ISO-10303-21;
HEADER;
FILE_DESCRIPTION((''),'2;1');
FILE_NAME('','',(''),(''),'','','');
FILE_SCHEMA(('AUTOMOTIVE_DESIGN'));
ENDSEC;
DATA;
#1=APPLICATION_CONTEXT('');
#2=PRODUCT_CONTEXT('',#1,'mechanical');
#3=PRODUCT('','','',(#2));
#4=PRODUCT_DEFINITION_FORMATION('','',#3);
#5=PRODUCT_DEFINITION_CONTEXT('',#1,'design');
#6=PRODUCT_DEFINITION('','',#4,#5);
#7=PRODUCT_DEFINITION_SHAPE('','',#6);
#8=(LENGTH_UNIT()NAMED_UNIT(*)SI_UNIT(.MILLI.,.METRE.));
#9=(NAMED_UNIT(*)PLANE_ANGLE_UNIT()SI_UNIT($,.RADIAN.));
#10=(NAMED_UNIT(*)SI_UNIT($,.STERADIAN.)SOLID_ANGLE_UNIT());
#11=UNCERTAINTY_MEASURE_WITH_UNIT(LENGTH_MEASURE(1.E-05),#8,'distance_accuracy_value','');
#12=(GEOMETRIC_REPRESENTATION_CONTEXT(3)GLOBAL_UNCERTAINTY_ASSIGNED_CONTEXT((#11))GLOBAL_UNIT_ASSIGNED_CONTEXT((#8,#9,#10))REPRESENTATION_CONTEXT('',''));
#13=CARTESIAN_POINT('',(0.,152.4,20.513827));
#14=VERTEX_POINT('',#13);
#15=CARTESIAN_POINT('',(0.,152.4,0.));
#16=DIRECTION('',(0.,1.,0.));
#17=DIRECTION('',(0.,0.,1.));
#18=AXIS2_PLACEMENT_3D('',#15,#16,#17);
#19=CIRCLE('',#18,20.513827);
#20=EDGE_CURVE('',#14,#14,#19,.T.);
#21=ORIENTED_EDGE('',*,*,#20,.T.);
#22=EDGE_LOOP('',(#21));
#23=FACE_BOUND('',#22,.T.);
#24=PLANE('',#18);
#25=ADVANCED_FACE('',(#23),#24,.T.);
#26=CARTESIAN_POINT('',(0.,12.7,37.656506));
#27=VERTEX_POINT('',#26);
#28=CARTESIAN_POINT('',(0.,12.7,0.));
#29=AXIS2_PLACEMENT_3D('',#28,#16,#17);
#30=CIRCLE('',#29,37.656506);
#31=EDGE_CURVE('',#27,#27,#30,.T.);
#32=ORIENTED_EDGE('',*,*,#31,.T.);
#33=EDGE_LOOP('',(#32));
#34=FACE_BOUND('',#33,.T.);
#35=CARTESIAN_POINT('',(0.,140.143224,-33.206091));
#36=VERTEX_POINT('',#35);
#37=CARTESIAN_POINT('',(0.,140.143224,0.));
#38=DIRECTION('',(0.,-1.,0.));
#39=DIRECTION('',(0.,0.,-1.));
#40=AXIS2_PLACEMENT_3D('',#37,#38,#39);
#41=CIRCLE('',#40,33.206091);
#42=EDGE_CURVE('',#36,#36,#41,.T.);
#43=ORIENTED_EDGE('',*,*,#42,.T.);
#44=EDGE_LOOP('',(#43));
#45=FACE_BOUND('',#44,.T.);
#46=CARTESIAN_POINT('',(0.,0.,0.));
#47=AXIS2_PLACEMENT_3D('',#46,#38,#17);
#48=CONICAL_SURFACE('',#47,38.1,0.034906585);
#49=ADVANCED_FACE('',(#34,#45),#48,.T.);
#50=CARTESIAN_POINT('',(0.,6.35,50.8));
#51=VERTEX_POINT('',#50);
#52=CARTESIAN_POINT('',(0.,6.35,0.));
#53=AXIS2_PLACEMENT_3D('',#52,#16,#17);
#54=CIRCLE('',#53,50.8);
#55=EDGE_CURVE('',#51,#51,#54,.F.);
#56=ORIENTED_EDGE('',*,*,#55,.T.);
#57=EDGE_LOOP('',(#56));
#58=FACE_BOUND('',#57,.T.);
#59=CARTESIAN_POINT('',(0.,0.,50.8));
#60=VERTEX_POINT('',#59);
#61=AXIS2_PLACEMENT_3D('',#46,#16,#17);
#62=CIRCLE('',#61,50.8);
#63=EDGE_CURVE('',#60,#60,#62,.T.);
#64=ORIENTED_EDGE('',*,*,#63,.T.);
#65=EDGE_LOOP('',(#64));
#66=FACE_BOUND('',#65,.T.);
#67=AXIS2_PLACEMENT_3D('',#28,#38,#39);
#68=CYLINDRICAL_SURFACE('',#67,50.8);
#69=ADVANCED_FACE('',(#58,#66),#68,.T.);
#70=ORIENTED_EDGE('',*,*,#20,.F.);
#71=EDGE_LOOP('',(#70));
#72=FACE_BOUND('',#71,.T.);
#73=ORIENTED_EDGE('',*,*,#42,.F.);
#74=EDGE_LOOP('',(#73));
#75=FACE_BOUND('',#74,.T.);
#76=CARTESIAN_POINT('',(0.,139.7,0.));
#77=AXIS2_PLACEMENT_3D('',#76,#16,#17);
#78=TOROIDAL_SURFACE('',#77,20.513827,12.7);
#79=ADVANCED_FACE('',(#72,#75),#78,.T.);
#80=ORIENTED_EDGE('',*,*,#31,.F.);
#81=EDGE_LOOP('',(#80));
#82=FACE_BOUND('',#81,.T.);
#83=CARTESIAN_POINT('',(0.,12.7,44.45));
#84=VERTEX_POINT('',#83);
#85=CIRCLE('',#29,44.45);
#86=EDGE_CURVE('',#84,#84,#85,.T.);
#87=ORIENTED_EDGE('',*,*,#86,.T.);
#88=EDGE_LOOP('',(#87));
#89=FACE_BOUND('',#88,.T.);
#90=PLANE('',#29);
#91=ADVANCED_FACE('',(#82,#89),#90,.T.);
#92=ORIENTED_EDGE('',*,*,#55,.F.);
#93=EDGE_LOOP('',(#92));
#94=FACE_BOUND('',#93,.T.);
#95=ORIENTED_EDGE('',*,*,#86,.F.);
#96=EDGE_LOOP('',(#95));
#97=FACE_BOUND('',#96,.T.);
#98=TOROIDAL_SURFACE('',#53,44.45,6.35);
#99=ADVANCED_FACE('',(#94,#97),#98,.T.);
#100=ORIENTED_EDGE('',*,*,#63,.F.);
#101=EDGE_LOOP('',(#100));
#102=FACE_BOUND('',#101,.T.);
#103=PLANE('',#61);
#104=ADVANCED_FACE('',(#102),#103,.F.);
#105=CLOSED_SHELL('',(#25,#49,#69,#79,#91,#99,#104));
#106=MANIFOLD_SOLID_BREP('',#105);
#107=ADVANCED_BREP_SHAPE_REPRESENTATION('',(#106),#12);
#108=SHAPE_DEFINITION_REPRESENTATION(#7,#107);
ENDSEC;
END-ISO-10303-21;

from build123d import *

# Parameters (mm, degrees)
SKETCH1_R           = 38.1
BOSS_EXTRUDE1_DEPTH = 152.4
BOSS_EXTRUDE1_TAPER = 2
FILLET1_R           = 12.7
SKETCH2_R           = 50.8
BOSS_EXTRUDE2_DEPTH = 12.7
FILLET2_R           = 6.35


with BuildPart() as part:
    # Sketch1 → Boss-Extrude1 (new body)
    with BuildSketch(Plane(origin=(0, 0, 0), x_dir=(1, 0, 0), z_dir=(0, 1, 0))):
        Circle(SKETCH1_R)
    extrude(amount=BOSS_EXTRUDE1_DEPTH, taper=BOSS_EXTRUDE1_TAPER)

    # Fillet1
    fillet1_edges = [part.edges().sort_by_distance(p)[0] for p in [
        (-32.778074729, 152.4, 0),
    ]]
    fillet(fillet1_edges, radius=FILLET1_R)

    # Sketch2 → Boss-Extrude2 (add)
    with BuildSketch(Plane(origin=(0, 0, 0), x_dir=(1, 0, 0), z_dir=(0, 1, 0))):
        Circle(SKETCH2_R)
    extrude(amount=BOSS_EXTRUDE2_DEPTH)

    # Fillet2
    fillet2_edges = [part.edges().sort_by_distance(p)[0] for p in [
        (-50.8, 12.7, 0),
    ]]
    fillet(fillet2_edges, radius=FILLET2_R)


solid = part.part
